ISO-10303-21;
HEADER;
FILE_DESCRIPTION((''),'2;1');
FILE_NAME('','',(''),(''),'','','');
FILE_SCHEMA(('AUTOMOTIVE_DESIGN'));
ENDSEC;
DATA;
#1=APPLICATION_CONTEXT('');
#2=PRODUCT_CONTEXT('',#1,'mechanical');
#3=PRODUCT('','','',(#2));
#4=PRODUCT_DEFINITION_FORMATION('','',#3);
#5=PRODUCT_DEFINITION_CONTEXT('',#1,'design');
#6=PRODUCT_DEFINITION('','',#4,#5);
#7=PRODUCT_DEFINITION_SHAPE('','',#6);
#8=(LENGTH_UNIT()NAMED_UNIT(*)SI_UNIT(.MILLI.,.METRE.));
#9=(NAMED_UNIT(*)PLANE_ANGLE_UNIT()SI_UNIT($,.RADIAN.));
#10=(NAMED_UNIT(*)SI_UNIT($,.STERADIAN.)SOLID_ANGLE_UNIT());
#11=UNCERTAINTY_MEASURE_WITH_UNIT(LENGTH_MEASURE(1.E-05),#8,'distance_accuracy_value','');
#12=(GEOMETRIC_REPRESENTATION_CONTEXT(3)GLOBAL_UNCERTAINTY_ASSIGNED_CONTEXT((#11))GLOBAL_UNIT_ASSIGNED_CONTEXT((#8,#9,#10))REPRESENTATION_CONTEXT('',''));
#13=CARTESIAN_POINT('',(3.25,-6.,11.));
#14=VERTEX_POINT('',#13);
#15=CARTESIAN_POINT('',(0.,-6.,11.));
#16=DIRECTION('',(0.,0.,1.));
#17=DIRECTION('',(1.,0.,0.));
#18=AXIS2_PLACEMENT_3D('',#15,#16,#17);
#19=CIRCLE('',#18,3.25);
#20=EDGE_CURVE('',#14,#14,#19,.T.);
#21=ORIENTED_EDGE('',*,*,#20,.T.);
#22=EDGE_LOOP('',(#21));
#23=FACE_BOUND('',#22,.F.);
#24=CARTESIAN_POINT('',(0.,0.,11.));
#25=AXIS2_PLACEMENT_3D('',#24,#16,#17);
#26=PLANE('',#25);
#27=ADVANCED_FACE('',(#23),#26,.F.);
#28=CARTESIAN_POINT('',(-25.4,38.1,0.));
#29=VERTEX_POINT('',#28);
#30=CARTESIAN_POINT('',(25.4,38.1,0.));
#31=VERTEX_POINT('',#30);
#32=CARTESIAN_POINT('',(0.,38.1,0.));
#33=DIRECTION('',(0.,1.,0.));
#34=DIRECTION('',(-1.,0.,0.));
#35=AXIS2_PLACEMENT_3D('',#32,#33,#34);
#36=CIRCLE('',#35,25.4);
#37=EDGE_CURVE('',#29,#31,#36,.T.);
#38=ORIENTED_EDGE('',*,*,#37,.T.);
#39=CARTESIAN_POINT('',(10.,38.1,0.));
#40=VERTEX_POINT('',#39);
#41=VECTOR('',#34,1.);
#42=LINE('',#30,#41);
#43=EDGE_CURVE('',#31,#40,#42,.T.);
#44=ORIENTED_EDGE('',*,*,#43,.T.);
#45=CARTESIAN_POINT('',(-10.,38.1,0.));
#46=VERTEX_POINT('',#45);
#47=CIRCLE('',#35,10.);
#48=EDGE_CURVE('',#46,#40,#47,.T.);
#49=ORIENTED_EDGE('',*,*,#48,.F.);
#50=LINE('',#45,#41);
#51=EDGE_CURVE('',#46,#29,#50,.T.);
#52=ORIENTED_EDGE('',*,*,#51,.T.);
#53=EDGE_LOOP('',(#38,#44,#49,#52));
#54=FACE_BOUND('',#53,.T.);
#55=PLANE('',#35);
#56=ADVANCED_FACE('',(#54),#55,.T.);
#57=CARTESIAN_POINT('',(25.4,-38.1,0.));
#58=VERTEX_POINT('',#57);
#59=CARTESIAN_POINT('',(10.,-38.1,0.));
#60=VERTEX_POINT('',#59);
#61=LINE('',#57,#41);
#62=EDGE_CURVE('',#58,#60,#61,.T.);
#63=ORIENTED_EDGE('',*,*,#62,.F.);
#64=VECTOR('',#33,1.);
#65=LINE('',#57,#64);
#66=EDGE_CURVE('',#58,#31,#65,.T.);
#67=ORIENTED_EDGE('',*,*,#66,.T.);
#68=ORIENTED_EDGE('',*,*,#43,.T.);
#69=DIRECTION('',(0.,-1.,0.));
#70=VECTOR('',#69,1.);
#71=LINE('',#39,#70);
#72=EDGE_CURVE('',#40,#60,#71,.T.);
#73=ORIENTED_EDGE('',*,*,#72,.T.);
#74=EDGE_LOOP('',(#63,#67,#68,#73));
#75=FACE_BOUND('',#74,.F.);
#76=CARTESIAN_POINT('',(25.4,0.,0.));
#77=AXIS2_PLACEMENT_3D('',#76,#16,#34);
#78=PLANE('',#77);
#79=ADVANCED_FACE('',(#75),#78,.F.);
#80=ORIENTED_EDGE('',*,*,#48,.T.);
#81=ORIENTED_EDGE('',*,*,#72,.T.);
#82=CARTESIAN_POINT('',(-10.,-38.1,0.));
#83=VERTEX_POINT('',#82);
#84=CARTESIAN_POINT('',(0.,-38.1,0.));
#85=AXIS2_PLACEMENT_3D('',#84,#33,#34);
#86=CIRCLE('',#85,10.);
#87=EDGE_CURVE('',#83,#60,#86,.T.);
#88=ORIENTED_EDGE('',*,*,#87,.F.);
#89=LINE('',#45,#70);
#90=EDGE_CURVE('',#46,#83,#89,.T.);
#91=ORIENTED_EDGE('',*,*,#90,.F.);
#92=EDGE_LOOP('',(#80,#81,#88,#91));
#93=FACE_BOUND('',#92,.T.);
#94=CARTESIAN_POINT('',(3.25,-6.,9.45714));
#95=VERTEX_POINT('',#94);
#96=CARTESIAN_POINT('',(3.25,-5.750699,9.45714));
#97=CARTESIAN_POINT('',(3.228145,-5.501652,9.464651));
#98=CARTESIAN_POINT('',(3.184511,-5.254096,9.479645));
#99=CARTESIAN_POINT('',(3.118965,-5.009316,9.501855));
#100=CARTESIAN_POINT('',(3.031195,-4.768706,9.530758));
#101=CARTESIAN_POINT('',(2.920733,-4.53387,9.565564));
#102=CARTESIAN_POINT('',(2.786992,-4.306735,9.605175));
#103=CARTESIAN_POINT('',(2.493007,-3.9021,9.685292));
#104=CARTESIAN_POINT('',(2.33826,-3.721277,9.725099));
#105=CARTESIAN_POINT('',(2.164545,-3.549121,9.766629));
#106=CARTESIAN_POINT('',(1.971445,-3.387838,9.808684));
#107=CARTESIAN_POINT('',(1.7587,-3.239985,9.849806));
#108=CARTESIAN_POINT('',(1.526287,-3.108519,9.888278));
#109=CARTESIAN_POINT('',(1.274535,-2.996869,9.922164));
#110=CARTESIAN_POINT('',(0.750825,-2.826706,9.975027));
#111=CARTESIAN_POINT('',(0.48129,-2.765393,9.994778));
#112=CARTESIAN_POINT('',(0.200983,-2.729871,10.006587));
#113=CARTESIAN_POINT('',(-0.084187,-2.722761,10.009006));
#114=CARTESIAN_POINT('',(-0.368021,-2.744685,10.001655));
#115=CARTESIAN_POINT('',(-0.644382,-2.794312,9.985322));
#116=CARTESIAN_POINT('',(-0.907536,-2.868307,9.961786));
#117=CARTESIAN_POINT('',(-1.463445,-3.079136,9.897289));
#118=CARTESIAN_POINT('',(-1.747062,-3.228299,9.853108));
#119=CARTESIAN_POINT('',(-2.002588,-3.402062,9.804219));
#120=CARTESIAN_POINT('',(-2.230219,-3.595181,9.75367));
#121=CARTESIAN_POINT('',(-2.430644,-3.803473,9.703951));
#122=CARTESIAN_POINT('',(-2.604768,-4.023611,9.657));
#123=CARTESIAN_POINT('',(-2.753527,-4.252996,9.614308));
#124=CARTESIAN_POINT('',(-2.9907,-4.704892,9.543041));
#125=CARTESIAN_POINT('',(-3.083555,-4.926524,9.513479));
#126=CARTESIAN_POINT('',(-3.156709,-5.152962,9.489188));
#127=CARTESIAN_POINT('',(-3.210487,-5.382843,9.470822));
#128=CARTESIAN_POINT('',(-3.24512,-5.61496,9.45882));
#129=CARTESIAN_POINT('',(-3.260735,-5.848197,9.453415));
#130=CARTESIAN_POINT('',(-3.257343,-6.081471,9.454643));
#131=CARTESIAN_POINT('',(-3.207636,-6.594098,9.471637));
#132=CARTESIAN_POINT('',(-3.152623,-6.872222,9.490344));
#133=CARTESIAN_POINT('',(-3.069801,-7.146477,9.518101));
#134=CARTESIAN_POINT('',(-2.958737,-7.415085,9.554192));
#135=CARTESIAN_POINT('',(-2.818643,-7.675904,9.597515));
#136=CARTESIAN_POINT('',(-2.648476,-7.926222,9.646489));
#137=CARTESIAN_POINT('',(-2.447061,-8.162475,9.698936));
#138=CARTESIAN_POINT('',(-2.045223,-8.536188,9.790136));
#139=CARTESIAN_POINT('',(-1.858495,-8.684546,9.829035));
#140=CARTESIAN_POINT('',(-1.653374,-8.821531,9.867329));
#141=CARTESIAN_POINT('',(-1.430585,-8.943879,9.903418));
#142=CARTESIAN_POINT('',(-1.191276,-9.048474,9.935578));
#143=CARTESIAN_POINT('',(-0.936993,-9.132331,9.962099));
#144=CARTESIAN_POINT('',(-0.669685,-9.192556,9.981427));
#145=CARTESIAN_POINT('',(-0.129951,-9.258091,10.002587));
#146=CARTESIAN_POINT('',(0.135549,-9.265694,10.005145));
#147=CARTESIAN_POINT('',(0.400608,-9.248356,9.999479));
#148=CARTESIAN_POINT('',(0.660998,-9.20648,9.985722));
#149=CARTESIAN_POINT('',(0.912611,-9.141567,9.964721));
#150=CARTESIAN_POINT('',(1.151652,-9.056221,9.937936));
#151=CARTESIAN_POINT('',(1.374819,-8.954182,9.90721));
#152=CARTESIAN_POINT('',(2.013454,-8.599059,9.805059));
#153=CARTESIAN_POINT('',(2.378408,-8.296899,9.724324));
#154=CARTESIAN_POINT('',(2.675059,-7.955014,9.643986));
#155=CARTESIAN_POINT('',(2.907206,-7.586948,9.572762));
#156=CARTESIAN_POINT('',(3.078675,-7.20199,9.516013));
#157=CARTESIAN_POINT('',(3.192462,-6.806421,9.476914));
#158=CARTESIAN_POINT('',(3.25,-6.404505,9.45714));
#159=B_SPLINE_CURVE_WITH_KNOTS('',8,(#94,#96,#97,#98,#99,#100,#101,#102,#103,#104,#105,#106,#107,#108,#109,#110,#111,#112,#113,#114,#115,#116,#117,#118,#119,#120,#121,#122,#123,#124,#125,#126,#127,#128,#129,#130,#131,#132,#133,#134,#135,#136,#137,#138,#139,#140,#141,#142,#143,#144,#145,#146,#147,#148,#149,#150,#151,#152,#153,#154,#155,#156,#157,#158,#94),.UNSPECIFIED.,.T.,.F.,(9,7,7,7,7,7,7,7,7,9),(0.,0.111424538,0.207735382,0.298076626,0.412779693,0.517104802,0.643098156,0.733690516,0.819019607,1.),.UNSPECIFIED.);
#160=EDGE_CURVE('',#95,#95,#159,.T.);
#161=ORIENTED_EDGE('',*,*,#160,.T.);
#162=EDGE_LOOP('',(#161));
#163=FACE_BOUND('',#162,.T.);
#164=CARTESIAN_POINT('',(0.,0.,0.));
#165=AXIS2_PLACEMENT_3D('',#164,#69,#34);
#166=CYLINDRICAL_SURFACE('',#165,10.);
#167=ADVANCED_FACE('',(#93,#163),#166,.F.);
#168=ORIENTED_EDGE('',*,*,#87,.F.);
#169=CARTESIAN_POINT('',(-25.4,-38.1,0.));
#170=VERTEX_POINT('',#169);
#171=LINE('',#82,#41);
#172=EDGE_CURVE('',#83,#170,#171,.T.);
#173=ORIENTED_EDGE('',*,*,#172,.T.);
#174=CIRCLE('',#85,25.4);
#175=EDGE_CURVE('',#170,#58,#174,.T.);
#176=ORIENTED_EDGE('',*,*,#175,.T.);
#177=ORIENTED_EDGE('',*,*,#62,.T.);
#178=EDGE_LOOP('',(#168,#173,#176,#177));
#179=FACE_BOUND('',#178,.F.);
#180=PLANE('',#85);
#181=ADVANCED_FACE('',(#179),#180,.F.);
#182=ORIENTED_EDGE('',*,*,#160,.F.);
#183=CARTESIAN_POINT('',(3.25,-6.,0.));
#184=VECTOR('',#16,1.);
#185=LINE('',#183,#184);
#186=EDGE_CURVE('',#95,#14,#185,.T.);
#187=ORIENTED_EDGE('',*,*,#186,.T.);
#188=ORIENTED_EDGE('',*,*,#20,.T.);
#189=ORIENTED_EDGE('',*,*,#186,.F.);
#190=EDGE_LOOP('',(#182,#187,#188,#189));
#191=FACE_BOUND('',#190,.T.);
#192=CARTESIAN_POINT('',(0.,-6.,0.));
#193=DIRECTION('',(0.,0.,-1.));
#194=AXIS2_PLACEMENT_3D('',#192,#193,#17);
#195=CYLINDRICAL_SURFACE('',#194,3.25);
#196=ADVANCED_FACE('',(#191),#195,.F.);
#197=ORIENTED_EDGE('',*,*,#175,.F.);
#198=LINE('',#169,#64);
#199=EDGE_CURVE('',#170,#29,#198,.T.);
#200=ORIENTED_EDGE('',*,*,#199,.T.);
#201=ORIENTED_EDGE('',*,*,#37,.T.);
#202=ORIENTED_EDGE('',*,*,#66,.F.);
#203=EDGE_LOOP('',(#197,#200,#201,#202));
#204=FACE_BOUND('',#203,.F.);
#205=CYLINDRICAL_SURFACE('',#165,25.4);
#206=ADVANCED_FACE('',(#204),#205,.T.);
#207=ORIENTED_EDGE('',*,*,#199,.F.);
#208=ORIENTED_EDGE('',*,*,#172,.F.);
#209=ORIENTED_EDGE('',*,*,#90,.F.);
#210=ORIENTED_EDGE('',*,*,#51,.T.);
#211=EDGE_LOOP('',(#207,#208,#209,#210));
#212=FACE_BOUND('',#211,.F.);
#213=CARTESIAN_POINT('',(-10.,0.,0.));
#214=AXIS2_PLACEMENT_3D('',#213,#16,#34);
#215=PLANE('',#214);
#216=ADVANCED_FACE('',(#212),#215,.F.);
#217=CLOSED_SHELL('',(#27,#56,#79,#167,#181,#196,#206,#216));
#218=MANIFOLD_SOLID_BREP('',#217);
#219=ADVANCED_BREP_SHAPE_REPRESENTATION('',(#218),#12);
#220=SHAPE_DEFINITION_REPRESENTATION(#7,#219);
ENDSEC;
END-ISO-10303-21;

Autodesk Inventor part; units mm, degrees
ref_plane "YZ Plane" through (0, 0, 0) normal (1, 0, 0) x (0, 1, 0)
ref_plane "XZ Plane" through (0, 0, 0) normal (0, 1, 0) x (-1, 0, 0)
ref_plane "XY Plane" through (0, 0, 0) normal (0, 0, 1) x (1, 0, 0)
sketch "Sketch1" plane through (0, 0, 0) normal (0, 1, 0) x (-1, 0, 0)
  circle A0 centre (0, 0) radius 25.4
  circle A1 centre (0, 0) radius 10
  line L0 (-25.4, 0) -> (-10, 0)
  line L1 (10, 0) -> (25.4, 0)
  dimension "d0" = 50.8
  dimension "d1" = 20
extrude "Extrusion1" add sketch "Sketch1" along normal mid plane 76.2 contours L1 A1 L0 A0 picked at (-20.0206, 2.0262)
sketch "Sketch2" plane through (0, 0, 0) normal (0, 0, 1) x (1, 0, 0)
  circle A0 centre (0, -6) radius 3.25
  line L0 (46.8316, 0) -> (-44.45, 0)
  point P0 (0, 0)
  dimension "d4" = 6.5
  dimension "d6" = 6
extrude "Extrusion2" cut sketch "Sketch2" along normal blind 11
properties part number "Linear Actuatur piece 2"
